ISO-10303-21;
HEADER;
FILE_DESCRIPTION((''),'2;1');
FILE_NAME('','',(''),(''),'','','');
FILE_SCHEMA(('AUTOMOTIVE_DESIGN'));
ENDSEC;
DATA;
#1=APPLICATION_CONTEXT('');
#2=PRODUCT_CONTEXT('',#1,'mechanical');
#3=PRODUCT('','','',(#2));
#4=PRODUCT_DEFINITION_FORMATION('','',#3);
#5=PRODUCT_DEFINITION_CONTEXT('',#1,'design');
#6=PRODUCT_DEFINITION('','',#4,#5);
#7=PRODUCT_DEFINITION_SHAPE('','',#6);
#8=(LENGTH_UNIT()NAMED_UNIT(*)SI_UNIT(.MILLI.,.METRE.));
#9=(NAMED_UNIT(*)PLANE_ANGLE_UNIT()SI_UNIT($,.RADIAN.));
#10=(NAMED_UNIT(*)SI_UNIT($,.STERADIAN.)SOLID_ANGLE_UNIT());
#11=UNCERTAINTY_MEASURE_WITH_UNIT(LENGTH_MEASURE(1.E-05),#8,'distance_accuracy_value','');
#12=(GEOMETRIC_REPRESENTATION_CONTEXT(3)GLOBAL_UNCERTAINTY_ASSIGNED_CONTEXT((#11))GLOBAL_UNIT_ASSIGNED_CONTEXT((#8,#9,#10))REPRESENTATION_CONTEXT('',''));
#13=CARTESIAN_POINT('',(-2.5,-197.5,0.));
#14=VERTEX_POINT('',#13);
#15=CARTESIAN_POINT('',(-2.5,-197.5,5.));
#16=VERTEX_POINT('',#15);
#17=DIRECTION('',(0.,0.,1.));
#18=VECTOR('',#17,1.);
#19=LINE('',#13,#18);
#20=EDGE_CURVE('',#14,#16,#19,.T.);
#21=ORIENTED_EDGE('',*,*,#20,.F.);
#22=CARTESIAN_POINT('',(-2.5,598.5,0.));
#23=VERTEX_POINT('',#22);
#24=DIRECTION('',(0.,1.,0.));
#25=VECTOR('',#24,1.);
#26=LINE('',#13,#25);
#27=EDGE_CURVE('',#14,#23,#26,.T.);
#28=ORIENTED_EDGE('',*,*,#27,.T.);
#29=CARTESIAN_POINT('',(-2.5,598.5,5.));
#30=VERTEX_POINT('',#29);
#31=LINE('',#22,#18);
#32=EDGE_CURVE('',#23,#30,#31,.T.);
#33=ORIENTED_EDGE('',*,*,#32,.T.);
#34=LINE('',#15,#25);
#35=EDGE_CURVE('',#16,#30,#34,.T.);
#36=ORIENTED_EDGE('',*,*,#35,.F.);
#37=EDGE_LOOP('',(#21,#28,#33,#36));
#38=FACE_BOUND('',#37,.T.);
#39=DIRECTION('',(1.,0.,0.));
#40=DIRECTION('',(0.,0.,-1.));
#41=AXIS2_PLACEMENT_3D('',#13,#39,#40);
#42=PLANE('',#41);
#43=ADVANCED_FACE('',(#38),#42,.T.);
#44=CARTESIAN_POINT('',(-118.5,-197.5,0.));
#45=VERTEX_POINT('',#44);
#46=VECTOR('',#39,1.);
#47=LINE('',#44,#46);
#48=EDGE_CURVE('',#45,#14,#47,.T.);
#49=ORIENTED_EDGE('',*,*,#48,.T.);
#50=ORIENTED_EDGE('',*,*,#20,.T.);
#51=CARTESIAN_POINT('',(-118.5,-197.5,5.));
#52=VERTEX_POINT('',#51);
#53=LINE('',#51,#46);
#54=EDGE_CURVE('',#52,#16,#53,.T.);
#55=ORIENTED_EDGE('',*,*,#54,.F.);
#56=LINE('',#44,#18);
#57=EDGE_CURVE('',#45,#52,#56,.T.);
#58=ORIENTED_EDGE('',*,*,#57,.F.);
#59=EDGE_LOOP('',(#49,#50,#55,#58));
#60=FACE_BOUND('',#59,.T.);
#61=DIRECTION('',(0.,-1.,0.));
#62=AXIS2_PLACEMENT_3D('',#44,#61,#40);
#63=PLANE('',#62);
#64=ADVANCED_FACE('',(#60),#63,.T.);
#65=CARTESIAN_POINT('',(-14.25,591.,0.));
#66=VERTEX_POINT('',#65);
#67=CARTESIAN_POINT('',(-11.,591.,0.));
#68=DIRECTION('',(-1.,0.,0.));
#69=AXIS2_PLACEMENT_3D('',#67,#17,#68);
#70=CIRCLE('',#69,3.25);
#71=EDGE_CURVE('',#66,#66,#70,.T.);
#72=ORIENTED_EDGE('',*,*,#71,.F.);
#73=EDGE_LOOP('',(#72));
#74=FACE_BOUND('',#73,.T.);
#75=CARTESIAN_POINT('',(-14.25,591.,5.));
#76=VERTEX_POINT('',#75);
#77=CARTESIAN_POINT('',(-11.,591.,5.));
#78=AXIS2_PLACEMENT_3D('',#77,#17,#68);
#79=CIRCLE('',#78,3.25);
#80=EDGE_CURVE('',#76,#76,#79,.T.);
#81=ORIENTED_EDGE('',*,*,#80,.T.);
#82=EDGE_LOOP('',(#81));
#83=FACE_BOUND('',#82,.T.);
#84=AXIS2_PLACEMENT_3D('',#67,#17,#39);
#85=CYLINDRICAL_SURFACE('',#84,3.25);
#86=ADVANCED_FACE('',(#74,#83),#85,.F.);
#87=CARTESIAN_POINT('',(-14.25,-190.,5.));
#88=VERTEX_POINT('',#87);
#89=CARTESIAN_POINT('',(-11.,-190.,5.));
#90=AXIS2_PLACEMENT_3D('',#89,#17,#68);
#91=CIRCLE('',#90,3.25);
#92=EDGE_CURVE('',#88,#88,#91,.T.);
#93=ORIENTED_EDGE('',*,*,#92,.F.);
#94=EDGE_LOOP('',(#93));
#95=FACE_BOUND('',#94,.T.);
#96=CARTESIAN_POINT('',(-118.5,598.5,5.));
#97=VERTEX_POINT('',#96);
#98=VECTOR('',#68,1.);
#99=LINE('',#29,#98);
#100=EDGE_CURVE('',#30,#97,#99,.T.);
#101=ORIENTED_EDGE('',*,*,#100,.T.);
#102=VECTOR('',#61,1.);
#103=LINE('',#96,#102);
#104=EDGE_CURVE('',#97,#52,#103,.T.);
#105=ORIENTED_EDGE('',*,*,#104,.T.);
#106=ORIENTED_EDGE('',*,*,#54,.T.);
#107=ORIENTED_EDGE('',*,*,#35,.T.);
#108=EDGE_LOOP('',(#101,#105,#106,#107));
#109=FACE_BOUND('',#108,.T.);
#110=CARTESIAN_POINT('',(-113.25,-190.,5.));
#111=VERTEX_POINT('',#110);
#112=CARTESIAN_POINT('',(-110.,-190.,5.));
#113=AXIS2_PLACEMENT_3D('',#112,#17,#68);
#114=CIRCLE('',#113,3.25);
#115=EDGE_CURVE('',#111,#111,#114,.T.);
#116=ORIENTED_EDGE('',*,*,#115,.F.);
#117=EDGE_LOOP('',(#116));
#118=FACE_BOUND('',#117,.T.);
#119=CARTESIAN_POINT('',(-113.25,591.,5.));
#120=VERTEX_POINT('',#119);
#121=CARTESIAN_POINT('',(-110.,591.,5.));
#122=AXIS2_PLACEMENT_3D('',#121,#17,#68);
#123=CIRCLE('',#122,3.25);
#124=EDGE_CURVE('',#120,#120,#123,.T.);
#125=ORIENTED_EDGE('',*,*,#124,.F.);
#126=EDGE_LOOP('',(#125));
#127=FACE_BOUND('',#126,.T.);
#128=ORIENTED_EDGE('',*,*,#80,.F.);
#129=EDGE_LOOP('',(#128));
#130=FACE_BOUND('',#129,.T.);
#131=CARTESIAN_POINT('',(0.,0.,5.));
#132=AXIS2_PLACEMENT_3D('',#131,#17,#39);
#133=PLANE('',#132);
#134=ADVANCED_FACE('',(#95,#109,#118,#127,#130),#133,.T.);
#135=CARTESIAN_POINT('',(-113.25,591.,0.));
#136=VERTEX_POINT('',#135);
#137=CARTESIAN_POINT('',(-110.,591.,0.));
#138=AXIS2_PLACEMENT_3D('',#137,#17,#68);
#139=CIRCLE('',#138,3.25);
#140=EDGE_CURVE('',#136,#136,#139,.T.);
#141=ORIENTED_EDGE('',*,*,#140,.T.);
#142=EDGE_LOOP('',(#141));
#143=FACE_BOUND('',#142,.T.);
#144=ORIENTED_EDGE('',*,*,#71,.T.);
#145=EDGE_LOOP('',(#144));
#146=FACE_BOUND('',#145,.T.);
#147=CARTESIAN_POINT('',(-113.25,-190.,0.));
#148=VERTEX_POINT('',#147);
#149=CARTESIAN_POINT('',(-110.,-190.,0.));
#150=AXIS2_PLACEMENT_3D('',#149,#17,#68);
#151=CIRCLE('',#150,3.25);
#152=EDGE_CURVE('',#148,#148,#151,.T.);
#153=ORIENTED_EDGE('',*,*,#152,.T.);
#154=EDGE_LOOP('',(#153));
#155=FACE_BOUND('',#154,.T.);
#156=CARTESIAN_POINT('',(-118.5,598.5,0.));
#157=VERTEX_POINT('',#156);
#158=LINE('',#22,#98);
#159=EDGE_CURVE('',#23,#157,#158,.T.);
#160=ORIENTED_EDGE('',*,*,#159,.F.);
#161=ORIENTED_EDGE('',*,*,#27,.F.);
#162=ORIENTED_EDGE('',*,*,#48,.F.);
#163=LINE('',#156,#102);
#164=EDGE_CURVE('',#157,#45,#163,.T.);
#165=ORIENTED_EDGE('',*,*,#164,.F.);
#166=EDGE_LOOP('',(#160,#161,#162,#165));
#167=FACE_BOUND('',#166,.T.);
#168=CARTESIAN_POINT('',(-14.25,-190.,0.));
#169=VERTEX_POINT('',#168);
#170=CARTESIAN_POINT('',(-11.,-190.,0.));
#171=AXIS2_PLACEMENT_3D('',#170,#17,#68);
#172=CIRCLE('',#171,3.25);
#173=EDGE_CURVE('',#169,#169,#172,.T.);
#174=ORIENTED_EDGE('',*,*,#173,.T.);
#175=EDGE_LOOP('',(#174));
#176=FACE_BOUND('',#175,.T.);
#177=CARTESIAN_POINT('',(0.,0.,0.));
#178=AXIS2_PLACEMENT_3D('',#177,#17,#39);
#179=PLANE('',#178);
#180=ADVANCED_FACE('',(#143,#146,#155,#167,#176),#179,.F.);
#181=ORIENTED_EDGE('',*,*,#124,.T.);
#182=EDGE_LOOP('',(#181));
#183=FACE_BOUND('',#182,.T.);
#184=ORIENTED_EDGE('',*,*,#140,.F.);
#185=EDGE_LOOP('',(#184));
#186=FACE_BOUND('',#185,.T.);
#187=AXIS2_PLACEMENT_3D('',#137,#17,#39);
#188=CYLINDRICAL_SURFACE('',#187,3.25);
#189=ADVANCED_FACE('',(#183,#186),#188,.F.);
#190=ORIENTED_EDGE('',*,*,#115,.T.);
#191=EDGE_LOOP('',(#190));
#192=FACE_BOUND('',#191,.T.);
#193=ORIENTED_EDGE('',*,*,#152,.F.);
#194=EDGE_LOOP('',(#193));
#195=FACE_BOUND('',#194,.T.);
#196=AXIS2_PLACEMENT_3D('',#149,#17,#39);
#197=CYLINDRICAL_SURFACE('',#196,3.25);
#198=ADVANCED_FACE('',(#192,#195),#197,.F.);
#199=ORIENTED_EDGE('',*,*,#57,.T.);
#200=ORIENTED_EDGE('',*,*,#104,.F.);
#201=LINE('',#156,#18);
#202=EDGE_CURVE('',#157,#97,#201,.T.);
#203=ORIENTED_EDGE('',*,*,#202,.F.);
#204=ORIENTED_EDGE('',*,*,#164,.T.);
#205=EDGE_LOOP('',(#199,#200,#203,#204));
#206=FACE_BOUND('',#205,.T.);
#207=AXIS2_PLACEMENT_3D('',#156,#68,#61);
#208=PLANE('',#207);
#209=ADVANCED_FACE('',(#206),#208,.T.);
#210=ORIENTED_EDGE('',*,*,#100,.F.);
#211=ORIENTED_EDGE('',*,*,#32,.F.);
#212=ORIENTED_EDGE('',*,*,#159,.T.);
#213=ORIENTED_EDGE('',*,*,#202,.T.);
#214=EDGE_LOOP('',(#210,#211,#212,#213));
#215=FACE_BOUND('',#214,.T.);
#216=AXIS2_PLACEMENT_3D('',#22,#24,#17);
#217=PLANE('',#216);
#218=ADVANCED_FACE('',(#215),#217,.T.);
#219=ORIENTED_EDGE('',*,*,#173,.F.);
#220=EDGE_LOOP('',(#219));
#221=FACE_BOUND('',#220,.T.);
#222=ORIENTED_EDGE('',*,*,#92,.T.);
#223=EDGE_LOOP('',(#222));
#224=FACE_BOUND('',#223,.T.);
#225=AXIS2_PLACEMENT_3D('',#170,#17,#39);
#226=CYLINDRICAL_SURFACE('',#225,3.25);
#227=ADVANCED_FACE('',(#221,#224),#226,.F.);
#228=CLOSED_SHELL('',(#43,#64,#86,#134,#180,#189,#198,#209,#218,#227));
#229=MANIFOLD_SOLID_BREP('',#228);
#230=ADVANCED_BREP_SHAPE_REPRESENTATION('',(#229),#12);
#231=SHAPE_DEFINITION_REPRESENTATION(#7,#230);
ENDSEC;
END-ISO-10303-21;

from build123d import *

# Parameters (mm, degrees)
SCHIZZO1_W                   = 116
SCHIZZO1_H                   = 796
SCHIZZO1_R                   = 3.25
ESTRUSIONE_ESTRUSIONE1_DEPTH = 5


with BuildPart() as part:
    # Schizzo1 → Estrusione-Estrusione1 (new body)
    with BuildSketch(Plane.XY.offset(5)):
        with Locations((-60.5, 200.5)):
            Rectangle(SCHIZZO1_W, SCHIZZO1_H)
        with Locations(Location((-110, -190, 0), (0, 0, 180))):
            Circle(SCHIZZO1_R, mode=Mode.SUBTRACT)
        with Locations(Location((-110, 591, 0), (0, 0, 180))):
            Circle(SCHIZZO1_R, mode=Mode.SUBTRACT)
        with Locations(Location((-11, 591, 0), (0, 0, 180))):
            Circle(SCHIZZO1_R, mode=Mode.SUBTRACT)
        with Locations(Location((-11, -190, 0), (0, 0, 180))):
            Circle(SCHIZZO1_R, mode=Mode.SUBTRACT)
    extrude(amount=-ESTRUSIONE_ESTRUSIONE1_DEPTH)


solid = part.part
